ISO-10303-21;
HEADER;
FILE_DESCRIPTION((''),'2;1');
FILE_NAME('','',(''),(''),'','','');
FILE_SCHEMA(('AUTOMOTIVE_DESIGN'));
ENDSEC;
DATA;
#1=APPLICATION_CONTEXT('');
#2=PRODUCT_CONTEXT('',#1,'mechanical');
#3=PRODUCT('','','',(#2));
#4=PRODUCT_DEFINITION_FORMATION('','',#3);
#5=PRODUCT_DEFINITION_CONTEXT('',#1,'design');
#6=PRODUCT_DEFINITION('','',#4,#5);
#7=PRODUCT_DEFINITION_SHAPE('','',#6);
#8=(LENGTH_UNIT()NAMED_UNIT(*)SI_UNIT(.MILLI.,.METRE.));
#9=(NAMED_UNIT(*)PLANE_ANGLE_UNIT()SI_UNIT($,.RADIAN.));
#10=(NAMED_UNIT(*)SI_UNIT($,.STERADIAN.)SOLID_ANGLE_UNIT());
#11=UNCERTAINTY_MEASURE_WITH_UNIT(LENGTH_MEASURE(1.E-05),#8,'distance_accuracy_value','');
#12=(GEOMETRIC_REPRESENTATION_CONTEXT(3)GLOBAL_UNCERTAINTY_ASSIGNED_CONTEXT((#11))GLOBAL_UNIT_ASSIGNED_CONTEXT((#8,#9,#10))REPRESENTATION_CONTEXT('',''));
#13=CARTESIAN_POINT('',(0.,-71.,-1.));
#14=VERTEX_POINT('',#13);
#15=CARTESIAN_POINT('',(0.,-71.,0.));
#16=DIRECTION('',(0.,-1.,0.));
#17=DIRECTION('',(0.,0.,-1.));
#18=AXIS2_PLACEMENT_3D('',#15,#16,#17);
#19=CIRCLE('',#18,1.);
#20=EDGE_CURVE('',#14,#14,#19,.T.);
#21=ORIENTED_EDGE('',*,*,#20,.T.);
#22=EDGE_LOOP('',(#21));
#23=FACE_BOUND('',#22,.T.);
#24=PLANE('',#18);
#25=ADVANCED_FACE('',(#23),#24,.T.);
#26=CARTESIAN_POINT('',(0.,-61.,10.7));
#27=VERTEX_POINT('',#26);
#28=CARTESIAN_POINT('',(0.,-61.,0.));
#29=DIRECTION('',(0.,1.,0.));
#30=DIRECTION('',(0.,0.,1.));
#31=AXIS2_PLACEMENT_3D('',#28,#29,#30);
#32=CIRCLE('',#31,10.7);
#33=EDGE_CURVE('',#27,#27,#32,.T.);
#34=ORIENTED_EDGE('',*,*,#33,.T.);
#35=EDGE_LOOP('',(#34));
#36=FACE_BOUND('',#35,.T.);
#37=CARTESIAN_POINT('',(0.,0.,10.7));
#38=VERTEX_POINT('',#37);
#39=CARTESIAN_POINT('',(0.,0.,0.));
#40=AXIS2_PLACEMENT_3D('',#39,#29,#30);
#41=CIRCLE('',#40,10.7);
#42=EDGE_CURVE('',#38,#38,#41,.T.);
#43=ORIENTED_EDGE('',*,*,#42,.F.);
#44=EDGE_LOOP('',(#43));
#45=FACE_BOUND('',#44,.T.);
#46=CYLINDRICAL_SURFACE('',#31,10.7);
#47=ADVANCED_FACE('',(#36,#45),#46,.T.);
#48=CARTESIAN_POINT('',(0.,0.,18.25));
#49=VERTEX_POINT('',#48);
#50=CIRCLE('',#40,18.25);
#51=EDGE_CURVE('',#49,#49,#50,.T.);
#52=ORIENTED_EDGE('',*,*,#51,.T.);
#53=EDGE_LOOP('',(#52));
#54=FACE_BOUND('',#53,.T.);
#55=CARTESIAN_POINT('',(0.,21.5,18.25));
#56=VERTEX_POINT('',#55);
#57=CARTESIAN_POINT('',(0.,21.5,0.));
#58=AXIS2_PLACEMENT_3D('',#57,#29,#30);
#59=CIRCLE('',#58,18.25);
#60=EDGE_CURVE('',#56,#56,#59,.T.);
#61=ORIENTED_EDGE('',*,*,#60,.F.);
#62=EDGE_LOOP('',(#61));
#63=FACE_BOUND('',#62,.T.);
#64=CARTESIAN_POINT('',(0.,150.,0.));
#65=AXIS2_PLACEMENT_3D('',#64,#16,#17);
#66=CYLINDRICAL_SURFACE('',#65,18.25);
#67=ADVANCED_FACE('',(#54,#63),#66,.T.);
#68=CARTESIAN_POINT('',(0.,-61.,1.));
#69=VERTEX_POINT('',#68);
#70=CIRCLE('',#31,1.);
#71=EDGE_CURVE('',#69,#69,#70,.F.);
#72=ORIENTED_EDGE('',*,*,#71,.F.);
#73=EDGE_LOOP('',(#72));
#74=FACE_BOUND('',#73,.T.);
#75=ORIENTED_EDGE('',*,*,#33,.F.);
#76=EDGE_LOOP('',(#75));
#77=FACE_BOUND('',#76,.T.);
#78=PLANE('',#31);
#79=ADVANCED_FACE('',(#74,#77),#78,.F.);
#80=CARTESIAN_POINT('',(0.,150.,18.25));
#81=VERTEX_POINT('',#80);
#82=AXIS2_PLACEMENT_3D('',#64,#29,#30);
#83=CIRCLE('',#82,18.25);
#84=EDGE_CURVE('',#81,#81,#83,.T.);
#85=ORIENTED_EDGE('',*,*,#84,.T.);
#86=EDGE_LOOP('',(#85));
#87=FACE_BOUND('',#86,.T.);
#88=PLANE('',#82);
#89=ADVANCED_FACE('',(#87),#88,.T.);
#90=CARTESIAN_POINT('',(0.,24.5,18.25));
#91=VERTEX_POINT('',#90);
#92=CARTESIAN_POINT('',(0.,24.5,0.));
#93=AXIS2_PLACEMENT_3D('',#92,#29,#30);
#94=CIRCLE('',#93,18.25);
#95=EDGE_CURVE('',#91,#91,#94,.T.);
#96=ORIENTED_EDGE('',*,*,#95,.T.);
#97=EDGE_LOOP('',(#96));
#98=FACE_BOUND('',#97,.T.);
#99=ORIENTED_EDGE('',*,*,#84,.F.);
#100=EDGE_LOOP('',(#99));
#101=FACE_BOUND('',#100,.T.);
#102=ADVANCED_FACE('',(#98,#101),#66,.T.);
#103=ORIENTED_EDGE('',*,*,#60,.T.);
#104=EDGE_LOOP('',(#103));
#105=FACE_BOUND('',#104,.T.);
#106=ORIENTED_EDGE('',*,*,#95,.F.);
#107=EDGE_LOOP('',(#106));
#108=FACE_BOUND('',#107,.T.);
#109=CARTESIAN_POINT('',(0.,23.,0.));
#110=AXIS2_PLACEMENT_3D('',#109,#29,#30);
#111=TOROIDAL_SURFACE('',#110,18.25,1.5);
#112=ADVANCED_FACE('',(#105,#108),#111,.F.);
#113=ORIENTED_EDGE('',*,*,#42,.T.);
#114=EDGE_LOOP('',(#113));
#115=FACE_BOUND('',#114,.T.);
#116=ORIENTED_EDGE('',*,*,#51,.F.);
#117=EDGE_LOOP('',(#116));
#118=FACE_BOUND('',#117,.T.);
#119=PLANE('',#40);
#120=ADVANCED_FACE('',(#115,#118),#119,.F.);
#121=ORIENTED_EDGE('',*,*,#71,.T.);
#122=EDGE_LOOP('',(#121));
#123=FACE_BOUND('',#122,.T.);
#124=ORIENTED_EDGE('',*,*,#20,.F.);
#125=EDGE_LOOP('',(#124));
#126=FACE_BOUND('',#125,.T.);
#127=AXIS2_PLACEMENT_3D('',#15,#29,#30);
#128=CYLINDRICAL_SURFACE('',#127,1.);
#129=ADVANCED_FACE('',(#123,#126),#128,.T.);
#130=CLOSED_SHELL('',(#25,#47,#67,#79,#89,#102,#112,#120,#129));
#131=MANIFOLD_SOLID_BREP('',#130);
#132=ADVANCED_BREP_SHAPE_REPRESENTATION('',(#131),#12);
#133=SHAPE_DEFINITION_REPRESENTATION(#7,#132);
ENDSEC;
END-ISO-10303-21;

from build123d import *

# Parameters (mm, degrees)
ESQUISSE1_R        = 10.7
BOSS_EXTRU_1_DEPTH = 61
ESQUISSE2_R        = 18.25
BOSS_EXTRU_2_DEPTH = 150
ESQUISSE3_R        = 1
BOSS_EXTRU_3_DEPTH = 10


with BuildPart() as part:
    # Esquisse1 → Boss.-Extru.1 (new body)
    with BuildSketch(Plane(origin=(0, 0, 0), x_dir=(1, 0, 0), z_dir=(0, 1, 0))):
        Circle(ESQUISSE1_R)
    extrude(amount=-BOSS_EXTRU_1_DEPTH)

    # Esquisse2 → Boss.-Extru.2 (add)
    with BuildSketch(Plane(origin=(0, 0, 0), x_dir=(1, 0, 0), z_dir=(0, 1, 0))):
        Circle(ESQUISSE2_R)
    extrude(amount=BOSS_EXTRU_2_DEPTH)

    # Esquisse3 → Boss.-Extru.3 (add)
    with BuildSketch(Plane.XZ.offset(61)):
        Circle(ESQUISSE3_R)
    extrude(amount=BOSS_EXTRU_3_DEPTH)

    # Esquisse4 → Enlèvement de matière-Révolution1 (revolve, cut)
    with BuildSketch(Plane.XY):
        with BuildLine():
            Line((18.25, 21.5), (18.25, 24.5))
            ThreePointArc((18.25, 24.5), (16.75, 23), (18.25, 21.5))
        make_face()
    revolve(axis=Axis((0, 150, 0), (0, -1, 0)), mode=Mode.SUBTRACT)


solid = part.part
